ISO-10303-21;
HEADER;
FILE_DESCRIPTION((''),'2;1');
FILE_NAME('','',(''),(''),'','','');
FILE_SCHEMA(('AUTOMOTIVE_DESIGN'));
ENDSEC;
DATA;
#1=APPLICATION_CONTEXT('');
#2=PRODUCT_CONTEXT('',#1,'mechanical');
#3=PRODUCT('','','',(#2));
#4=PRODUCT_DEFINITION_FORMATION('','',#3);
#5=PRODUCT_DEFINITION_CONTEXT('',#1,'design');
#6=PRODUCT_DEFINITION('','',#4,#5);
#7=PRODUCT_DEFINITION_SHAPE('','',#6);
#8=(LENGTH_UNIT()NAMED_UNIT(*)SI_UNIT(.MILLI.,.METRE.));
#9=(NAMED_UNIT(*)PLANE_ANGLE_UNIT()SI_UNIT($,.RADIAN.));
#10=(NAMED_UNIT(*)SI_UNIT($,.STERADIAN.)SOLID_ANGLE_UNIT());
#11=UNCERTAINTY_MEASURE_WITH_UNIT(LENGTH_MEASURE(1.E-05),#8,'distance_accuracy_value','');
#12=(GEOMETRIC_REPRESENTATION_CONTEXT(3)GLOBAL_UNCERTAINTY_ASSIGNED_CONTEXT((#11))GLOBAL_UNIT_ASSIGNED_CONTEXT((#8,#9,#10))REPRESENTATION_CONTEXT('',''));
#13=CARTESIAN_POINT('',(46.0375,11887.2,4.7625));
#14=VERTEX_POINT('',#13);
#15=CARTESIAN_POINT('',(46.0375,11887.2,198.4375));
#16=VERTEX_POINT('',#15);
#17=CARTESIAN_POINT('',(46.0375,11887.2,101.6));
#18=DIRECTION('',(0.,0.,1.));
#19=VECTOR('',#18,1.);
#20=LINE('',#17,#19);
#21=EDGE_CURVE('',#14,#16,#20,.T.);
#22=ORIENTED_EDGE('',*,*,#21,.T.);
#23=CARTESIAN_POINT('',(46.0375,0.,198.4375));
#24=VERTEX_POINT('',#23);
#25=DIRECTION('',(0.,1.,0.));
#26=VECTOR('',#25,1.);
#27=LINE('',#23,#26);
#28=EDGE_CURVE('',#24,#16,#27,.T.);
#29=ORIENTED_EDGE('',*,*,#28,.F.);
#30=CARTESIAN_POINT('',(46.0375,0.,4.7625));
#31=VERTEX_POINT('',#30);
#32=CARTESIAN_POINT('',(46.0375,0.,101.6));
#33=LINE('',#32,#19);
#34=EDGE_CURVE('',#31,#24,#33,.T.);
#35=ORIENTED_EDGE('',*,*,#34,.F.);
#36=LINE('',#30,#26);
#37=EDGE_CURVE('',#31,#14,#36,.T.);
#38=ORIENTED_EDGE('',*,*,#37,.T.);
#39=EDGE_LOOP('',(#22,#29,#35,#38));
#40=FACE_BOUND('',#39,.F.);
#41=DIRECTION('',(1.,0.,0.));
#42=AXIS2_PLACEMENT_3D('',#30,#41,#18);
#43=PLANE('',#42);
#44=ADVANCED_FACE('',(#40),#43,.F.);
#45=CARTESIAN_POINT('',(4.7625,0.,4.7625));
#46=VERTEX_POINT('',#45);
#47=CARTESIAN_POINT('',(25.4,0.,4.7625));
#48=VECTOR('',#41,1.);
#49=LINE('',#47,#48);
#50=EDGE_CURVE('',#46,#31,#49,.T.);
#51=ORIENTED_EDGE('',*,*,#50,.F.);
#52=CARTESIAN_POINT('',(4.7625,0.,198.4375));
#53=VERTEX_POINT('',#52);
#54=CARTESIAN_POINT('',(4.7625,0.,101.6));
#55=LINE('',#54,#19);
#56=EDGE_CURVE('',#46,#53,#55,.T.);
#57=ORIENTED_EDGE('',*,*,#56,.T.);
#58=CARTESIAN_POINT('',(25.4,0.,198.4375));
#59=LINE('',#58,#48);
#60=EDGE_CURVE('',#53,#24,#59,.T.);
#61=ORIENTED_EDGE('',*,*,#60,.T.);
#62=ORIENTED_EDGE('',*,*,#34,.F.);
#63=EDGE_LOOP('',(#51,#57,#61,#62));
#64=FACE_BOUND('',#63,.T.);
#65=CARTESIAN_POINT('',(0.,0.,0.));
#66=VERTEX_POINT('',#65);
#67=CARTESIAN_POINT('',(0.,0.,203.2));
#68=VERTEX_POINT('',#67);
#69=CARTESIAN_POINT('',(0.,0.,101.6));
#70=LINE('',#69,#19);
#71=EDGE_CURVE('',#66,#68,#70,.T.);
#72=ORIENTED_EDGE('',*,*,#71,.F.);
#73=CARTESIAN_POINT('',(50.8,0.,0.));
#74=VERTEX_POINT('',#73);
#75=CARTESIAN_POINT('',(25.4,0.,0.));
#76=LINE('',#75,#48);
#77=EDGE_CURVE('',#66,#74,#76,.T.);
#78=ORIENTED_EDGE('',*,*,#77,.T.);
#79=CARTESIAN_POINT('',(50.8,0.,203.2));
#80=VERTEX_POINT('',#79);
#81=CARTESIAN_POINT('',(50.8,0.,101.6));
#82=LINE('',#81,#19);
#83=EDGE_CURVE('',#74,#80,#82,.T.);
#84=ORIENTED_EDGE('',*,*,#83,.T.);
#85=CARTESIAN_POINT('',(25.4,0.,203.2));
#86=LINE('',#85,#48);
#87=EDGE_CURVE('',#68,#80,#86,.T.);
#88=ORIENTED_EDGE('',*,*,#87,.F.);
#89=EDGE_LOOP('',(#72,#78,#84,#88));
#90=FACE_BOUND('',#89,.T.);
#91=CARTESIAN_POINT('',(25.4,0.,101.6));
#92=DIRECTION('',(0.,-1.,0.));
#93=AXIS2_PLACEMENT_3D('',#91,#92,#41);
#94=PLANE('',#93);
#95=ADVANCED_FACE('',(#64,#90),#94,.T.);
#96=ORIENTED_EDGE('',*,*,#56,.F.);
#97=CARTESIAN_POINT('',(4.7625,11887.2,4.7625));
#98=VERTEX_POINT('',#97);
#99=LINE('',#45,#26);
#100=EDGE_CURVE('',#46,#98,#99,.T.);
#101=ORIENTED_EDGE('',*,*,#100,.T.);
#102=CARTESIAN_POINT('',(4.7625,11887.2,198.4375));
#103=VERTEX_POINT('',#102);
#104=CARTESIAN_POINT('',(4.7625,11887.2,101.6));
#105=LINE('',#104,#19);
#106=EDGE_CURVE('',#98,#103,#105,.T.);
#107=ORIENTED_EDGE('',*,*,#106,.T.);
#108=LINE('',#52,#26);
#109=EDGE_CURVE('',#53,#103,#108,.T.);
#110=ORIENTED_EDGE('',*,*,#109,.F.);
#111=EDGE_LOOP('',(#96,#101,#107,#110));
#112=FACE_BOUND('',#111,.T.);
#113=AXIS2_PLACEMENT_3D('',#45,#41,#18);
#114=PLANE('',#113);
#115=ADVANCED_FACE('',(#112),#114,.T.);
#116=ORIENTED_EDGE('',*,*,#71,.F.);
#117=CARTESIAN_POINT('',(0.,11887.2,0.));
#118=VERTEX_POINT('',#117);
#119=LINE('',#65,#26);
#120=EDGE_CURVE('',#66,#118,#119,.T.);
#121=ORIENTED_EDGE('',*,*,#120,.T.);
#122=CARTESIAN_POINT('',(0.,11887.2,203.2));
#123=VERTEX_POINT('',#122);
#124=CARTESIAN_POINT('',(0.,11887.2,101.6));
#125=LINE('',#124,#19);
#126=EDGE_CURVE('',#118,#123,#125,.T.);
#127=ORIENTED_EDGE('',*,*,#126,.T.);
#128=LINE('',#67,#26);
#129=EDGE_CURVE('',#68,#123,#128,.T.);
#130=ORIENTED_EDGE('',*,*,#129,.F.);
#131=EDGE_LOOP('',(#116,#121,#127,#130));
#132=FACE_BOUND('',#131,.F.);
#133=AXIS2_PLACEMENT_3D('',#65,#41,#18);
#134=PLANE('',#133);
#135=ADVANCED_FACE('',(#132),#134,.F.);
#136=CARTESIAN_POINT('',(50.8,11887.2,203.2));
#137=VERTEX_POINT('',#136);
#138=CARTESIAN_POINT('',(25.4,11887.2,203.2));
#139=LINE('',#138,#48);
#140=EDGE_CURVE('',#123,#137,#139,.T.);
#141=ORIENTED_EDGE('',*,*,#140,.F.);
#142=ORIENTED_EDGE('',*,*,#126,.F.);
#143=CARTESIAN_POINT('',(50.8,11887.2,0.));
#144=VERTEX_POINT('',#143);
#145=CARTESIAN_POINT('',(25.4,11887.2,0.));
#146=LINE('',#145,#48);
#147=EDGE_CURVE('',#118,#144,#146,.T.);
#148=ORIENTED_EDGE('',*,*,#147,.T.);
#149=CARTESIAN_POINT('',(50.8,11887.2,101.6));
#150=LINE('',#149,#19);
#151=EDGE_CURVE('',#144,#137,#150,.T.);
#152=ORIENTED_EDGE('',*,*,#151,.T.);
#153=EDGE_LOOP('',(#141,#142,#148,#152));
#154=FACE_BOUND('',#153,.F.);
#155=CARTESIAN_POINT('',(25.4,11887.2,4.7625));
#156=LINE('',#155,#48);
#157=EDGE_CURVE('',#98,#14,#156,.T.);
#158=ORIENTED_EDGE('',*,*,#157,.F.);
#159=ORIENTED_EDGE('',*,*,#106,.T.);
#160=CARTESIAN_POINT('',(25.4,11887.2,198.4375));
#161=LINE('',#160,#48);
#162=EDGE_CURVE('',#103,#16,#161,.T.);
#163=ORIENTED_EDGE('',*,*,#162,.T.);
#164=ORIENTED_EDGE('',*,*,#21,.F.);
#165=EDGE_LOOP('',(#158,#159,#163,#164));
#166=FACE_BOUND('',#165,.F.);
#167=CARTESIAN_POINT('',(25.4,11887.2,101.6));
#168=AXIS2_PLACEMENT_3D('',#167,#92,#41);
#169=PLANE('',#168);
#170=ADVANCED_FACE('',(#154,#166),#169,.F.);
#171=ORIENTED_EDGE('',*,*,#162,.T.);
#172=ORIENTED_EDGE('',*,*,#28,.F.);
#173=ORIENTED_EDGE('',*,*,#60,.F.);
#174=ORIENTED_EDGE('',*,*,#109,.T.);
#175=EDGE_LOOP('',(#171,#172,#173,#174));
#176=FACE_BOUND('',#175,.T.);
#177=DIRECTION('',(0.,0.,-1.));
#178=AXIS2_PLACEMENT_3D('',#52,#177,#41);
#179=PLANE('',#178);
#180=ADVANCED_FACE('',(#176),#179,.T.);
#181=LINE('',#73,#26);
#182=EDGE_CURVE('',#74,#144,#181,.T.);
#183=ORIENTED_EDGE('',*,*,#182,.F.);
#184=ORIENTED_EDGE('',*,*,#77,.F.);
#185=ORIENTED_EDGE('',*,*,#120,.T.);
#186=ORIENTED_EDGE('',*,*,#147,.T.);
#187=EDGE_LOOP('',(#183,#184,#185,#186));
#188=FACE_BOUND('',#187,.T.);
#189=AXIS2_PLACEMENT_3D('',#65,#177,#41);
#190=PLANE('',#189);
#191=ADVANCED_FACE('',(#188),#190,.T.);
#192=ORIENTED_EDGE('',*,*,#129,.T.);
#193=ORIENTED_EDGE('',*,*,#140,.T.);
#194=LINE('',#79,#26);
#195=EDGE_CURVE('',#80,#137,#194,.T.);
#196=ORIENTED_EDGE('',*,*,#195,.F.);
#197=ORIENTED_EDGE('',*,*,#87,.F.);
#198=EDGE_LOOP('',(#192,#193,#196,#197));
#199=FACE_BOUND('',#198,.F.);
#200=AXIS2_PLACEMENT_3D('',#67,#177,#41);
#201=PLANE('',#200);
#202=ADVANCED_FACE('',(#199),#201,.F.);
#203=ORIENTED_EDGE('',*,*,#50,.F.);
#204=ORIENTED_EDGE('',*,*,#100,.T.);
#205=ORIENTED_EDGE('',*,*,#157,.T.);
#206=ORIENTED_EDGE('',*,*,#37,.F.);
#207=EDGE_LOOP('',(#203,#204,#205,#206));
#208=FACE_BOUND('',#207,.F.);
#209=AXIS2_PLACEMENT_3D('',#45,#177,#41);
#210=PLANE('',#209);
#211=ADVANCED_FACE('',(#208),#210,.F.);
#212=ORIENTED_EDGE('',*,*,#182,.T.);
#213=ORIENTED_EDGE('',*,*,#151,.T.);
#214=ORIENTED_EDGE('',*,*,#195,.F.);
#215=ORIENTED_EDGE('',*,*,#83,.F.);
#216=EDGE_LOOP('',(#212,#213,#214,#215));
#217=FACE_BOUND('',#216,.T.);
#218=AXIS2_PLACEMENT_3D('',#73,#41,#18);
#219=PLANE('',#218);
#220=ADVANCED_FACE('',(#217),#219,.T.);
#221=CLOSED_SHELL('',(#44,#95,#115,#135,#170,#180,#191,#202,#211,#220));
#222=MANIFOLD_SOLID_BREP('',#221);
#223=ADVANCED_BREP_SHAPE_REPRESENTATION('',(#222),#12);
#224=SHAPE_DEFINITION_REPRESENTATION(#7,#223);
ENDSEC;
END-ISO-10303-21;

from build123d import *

# Parameters (mm, degrees)
F0_W     = 50.8
F0_H     = 203.2
F0_W_2   = 41.275
F0_H_2   = 193.675
F1_DEPTH = 11887.2


with BuildPart() as f1:
    # F0 (on Front) → F1 (new body)
    with BuildSketch(Plane.XZ):
        with Locations((25.4, 101.6)):
            Rectangle(F0_W, F0_H)
        with Locations((25.4, 101.6)):
            Rectangle(F0_W_2, F0_H_2, mode=Mode.SUBTRACT)
    extrude(amount=-F1_DEPTH)


solid = f1.part
